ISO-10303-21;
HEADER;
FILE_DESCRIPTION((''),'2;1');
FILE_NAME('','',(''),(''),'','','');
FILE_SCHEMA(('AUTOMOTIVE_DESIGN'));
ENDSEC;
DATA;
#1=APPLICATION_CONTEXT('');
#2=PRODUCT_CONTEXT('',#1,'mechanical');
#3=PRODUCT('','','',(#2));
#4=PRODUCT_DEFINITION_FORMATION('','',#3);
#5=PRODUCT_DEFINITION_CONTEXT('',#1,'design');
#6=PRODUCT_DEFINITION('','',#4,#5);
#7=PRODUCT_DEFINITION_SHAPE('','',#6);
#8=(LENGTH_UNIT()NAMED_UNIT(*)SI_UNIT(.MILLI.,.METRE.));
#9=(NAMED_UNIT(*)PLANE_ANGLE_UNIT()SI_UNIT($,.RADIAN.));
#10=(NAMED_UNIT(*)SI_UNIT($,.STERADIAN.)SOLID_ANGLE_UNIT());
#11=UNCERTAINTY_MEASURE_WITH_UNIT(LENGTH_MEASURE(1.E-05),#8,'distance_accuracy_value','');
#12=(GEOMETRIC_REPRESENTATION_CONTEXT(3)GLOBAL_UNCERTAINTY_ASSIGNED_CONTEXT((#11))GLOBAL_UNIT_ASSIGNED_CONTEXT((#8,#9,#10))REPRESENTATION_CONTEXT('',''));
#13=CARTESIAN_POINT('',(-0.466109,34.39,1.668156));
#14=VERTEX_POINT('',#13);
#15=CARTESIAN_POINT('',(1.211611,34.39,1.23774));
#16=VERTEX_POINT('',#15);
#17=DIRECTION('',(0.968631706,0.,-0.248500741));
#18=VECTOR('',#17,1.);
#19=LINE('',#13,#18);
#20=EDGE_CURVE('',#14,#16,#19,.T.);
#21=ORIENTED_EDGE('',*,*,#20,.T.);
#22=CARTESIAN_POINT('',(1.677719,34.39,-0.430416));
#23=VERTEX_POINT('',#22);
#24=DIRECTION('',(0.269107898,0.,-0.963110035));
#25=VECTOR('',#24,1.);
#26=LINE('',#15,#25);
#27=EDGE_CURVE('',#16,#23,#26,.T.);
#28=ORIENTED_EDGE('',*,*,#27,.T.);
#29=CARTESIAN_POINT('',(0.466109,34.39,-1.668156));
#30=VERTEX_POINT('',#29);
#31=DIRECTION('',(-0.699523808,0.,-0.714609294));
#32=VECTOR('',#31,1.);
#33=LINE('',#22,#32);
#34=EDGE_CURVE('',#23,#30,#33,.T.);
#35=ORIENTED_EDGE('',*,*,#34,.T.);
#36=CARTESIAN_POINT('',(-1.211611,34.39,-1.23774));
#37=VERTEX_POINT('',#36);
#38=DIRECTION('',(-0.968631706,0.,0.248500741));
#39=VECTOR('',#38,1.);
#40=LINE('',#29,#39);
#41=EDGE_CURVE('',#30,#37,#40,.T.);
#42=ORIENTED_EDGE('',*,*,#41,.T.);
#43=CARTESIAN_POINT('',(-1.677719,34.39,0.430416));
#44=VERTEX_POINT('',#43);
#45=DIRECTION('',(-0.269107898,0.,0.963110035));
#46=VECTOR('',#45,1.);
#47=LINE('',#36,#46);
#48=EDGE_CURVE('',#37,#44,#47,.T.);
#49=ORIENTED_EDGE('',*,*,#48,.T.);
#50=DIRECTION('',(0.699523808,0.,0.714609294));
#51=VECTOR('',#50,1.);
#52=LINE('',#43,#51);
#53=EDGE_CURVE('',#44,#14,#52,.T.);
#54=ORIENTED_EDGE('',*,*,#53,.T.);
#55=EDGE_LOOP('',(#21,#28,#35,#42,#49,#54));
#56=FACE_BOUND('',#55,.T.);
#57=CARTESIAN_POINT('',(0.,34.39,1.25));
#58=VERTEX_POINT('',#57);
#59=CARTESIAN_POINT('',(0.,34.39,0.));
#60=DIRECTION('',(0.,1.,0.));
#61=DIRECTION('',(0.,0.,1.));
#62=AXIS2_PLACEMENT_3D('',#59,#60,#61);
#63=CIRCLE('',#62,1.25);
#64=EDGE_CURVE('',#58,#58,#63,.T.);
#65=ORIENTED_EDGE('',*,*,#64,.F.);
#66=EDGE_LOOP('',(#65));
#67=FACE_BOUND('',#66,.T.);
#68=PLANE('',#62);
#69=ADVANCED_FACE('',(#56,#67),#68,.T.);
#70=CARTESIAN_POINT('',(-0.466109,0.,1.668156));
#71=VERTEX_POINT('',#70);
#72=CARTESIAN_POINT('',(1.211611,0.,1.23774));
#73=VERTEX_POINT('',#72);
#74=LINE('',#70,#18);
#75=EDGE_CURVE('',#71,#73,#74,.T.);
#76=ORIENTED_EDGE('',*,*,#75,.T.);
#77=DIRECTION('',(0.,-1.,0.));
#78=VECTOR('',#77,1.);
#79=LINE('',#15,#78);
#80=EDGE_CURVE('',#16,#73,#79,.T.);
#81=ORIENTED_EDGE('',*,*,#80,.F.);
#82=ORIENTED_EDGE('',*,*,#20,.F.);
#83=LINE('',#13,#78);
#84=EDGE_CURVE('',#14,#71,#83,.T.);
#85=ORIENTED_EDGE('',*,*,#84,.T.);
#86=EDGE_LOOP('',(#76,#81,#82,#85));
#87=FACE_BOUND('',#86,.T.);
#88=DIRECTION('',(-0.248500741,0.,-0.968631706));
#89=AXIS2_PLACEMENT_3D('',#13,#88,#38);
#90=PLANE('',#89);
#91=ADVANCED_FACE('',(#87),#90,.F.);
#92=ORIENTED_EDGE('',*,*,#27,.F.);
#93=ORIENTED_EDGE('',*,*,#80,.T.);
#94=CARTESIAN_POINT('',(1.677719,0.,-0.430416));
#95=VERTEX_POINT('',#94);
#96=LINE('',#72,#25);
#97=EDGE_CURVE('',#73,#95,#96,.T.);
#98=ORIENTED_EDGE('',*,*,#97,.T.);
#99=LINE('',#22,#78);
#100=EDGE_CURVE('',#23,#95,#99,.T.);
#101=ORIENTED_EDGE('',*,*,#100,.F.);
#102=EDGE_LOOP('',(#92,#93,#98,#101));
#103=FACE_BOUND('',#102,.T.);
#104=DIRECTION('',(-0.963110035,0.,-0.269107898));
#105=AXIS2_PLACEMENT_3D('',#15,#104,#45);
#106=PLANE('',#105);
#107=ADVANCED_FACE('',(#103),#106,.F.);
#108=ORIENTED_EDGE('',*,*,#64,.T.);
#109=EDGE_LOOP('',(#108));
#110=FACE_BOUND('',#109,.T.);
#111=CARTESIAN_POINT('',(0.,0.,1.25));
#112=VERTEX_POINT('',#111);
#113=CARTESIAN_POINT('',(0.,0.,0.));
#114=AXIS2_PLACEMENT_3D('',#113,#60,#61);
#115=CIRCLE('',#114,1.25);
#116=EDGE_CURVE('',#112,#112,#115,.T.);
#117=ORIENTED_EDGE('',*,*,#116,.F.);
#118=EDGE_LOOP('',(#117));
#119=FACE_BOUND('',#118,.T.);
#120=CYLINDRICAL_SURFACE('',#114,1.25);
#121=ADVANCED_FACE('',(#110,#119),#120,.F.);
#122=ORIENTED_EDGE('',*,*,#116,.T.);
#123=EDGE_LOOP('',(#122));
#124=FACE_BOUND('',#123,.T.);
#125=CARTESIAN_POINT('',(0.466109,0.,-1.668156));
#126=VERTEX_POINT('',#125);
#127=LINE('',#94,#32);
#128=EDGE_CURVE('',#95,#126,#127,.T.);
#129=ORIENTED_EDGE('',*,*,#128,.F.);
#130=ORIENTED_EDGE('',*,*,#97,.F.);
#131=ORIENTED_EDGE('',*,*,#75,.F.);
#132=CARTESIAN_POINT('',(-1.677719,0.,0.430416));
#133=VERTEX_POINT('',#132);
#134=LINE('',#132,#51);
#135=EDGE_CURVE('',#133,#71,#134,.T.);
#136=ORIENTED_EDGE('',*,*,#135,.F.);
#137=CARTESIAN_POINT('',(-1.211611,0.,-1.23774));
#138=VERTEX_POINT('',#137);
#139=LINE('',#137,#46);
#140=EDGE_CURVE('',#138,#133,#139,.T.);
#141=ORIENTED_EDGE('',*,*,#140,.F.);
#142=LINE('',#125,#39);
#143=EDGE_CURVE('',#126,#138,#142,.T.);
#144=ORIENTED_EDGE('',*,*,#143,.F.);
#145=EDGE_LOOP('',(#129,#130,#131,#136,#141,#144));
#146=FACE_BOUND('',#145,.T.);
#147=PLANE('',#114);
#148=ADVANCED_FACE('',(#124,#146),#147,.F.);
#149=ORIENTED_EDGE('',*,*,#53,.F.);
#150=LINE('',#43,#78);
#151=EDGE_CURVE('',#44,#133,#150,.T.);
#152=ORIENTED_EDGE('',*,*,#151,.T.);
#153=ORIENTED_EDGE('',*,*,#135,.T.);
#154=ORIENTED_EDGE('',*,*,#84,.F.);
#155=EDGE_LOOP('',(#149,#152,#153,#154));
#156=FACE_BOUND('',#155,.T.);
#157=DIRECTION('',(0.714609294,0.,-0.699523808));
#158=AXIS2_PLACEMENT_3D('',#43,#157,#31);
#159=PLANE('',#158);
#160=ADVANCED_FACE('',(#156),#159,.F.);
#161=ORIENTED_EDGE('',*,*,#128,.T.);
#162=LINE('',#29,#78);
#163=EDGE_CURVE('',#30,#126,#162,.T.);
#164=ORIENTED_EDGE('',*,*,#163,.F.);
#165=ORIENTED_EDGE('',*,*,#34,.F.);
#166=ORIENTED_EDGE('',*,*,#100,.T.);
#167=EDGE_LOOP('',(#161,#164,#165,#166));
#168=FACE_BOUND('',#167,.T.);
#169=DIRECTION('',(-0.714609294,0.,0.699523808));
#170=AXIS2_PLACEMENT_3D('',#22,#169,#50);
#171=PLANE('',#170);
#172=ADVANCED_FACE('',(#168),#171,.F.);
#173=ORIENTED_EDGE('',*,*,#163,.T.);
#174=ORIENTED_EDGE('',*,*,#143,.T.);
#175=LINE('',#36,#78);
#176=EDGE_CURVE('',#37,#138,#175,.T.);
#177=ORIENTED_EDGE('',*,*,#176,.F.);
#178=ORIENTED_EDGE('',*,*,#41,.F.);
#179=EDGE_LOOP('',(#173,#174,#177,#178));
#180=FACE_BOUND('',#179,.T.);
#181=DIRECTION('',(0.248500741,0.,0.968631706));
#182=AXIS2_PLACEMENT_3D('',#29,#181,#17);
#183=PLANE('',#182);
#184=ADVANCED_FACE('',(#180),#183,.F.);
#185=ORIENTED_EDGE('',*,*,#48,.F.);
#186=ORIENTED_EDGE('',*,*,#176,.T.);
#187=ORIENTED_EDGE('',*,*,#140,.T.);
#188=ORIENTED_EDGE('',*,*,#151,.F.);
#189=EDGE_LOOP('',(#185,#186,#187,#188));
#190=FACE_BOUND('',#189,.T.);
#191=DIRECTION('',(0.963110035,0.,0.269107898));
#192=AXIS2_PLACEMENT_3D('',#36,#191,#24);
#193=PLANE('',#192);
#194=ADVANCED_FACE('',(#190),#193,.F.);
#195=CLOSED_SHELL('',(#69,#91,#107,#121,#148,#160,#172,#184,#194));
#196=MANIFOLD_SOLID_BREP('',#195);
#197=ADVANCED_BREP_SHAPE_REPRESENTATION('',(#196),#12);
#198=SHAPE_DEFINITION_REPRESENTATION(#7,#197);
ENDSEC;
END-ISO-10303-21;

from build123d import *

# Parameters (mm, degrees)
EXTRUDE_1_DEPTH     = 34.39
SKETCH_2_R          = 1.25
CUT_EXTRUDE_1_DEPTH = 34.39


with BuildPart() as part:
    # 草图1 → 凸台-拉伸1 (new body)
    with BuildSketch(Plane(origin=(0, 0, 0), x_dir=(1, 0, 0), z_dir=(0, 1, 0))):
        Polygon((1.211610776, -1.237739604), (1.677719328, 0.430415909), (0.466108553, 1.668155513), (-1.211610776, 1.237739604), (-1.677719328, -0.430415909), (-0.466108553, -1.668155513), align=None)
    extrude(amount=EXTRUDE_1_DEPTH)

    # 草图2 → 切除-拉伸1 (cut)
    with BuildSketch(Plane(origin=(0, 34.39, 0), x_dir=(1, 0, 0), z_dir=(0, 1, 0))):
        with Locations(Location((0, 0, 0), (0, 0, 270))):
            Circle(SKETCH_2_R)
    extrude(amount=-CUT_EXTRUDE_1_DEPTH, mode=Mode.SUBTRACT)


solid = part.part
